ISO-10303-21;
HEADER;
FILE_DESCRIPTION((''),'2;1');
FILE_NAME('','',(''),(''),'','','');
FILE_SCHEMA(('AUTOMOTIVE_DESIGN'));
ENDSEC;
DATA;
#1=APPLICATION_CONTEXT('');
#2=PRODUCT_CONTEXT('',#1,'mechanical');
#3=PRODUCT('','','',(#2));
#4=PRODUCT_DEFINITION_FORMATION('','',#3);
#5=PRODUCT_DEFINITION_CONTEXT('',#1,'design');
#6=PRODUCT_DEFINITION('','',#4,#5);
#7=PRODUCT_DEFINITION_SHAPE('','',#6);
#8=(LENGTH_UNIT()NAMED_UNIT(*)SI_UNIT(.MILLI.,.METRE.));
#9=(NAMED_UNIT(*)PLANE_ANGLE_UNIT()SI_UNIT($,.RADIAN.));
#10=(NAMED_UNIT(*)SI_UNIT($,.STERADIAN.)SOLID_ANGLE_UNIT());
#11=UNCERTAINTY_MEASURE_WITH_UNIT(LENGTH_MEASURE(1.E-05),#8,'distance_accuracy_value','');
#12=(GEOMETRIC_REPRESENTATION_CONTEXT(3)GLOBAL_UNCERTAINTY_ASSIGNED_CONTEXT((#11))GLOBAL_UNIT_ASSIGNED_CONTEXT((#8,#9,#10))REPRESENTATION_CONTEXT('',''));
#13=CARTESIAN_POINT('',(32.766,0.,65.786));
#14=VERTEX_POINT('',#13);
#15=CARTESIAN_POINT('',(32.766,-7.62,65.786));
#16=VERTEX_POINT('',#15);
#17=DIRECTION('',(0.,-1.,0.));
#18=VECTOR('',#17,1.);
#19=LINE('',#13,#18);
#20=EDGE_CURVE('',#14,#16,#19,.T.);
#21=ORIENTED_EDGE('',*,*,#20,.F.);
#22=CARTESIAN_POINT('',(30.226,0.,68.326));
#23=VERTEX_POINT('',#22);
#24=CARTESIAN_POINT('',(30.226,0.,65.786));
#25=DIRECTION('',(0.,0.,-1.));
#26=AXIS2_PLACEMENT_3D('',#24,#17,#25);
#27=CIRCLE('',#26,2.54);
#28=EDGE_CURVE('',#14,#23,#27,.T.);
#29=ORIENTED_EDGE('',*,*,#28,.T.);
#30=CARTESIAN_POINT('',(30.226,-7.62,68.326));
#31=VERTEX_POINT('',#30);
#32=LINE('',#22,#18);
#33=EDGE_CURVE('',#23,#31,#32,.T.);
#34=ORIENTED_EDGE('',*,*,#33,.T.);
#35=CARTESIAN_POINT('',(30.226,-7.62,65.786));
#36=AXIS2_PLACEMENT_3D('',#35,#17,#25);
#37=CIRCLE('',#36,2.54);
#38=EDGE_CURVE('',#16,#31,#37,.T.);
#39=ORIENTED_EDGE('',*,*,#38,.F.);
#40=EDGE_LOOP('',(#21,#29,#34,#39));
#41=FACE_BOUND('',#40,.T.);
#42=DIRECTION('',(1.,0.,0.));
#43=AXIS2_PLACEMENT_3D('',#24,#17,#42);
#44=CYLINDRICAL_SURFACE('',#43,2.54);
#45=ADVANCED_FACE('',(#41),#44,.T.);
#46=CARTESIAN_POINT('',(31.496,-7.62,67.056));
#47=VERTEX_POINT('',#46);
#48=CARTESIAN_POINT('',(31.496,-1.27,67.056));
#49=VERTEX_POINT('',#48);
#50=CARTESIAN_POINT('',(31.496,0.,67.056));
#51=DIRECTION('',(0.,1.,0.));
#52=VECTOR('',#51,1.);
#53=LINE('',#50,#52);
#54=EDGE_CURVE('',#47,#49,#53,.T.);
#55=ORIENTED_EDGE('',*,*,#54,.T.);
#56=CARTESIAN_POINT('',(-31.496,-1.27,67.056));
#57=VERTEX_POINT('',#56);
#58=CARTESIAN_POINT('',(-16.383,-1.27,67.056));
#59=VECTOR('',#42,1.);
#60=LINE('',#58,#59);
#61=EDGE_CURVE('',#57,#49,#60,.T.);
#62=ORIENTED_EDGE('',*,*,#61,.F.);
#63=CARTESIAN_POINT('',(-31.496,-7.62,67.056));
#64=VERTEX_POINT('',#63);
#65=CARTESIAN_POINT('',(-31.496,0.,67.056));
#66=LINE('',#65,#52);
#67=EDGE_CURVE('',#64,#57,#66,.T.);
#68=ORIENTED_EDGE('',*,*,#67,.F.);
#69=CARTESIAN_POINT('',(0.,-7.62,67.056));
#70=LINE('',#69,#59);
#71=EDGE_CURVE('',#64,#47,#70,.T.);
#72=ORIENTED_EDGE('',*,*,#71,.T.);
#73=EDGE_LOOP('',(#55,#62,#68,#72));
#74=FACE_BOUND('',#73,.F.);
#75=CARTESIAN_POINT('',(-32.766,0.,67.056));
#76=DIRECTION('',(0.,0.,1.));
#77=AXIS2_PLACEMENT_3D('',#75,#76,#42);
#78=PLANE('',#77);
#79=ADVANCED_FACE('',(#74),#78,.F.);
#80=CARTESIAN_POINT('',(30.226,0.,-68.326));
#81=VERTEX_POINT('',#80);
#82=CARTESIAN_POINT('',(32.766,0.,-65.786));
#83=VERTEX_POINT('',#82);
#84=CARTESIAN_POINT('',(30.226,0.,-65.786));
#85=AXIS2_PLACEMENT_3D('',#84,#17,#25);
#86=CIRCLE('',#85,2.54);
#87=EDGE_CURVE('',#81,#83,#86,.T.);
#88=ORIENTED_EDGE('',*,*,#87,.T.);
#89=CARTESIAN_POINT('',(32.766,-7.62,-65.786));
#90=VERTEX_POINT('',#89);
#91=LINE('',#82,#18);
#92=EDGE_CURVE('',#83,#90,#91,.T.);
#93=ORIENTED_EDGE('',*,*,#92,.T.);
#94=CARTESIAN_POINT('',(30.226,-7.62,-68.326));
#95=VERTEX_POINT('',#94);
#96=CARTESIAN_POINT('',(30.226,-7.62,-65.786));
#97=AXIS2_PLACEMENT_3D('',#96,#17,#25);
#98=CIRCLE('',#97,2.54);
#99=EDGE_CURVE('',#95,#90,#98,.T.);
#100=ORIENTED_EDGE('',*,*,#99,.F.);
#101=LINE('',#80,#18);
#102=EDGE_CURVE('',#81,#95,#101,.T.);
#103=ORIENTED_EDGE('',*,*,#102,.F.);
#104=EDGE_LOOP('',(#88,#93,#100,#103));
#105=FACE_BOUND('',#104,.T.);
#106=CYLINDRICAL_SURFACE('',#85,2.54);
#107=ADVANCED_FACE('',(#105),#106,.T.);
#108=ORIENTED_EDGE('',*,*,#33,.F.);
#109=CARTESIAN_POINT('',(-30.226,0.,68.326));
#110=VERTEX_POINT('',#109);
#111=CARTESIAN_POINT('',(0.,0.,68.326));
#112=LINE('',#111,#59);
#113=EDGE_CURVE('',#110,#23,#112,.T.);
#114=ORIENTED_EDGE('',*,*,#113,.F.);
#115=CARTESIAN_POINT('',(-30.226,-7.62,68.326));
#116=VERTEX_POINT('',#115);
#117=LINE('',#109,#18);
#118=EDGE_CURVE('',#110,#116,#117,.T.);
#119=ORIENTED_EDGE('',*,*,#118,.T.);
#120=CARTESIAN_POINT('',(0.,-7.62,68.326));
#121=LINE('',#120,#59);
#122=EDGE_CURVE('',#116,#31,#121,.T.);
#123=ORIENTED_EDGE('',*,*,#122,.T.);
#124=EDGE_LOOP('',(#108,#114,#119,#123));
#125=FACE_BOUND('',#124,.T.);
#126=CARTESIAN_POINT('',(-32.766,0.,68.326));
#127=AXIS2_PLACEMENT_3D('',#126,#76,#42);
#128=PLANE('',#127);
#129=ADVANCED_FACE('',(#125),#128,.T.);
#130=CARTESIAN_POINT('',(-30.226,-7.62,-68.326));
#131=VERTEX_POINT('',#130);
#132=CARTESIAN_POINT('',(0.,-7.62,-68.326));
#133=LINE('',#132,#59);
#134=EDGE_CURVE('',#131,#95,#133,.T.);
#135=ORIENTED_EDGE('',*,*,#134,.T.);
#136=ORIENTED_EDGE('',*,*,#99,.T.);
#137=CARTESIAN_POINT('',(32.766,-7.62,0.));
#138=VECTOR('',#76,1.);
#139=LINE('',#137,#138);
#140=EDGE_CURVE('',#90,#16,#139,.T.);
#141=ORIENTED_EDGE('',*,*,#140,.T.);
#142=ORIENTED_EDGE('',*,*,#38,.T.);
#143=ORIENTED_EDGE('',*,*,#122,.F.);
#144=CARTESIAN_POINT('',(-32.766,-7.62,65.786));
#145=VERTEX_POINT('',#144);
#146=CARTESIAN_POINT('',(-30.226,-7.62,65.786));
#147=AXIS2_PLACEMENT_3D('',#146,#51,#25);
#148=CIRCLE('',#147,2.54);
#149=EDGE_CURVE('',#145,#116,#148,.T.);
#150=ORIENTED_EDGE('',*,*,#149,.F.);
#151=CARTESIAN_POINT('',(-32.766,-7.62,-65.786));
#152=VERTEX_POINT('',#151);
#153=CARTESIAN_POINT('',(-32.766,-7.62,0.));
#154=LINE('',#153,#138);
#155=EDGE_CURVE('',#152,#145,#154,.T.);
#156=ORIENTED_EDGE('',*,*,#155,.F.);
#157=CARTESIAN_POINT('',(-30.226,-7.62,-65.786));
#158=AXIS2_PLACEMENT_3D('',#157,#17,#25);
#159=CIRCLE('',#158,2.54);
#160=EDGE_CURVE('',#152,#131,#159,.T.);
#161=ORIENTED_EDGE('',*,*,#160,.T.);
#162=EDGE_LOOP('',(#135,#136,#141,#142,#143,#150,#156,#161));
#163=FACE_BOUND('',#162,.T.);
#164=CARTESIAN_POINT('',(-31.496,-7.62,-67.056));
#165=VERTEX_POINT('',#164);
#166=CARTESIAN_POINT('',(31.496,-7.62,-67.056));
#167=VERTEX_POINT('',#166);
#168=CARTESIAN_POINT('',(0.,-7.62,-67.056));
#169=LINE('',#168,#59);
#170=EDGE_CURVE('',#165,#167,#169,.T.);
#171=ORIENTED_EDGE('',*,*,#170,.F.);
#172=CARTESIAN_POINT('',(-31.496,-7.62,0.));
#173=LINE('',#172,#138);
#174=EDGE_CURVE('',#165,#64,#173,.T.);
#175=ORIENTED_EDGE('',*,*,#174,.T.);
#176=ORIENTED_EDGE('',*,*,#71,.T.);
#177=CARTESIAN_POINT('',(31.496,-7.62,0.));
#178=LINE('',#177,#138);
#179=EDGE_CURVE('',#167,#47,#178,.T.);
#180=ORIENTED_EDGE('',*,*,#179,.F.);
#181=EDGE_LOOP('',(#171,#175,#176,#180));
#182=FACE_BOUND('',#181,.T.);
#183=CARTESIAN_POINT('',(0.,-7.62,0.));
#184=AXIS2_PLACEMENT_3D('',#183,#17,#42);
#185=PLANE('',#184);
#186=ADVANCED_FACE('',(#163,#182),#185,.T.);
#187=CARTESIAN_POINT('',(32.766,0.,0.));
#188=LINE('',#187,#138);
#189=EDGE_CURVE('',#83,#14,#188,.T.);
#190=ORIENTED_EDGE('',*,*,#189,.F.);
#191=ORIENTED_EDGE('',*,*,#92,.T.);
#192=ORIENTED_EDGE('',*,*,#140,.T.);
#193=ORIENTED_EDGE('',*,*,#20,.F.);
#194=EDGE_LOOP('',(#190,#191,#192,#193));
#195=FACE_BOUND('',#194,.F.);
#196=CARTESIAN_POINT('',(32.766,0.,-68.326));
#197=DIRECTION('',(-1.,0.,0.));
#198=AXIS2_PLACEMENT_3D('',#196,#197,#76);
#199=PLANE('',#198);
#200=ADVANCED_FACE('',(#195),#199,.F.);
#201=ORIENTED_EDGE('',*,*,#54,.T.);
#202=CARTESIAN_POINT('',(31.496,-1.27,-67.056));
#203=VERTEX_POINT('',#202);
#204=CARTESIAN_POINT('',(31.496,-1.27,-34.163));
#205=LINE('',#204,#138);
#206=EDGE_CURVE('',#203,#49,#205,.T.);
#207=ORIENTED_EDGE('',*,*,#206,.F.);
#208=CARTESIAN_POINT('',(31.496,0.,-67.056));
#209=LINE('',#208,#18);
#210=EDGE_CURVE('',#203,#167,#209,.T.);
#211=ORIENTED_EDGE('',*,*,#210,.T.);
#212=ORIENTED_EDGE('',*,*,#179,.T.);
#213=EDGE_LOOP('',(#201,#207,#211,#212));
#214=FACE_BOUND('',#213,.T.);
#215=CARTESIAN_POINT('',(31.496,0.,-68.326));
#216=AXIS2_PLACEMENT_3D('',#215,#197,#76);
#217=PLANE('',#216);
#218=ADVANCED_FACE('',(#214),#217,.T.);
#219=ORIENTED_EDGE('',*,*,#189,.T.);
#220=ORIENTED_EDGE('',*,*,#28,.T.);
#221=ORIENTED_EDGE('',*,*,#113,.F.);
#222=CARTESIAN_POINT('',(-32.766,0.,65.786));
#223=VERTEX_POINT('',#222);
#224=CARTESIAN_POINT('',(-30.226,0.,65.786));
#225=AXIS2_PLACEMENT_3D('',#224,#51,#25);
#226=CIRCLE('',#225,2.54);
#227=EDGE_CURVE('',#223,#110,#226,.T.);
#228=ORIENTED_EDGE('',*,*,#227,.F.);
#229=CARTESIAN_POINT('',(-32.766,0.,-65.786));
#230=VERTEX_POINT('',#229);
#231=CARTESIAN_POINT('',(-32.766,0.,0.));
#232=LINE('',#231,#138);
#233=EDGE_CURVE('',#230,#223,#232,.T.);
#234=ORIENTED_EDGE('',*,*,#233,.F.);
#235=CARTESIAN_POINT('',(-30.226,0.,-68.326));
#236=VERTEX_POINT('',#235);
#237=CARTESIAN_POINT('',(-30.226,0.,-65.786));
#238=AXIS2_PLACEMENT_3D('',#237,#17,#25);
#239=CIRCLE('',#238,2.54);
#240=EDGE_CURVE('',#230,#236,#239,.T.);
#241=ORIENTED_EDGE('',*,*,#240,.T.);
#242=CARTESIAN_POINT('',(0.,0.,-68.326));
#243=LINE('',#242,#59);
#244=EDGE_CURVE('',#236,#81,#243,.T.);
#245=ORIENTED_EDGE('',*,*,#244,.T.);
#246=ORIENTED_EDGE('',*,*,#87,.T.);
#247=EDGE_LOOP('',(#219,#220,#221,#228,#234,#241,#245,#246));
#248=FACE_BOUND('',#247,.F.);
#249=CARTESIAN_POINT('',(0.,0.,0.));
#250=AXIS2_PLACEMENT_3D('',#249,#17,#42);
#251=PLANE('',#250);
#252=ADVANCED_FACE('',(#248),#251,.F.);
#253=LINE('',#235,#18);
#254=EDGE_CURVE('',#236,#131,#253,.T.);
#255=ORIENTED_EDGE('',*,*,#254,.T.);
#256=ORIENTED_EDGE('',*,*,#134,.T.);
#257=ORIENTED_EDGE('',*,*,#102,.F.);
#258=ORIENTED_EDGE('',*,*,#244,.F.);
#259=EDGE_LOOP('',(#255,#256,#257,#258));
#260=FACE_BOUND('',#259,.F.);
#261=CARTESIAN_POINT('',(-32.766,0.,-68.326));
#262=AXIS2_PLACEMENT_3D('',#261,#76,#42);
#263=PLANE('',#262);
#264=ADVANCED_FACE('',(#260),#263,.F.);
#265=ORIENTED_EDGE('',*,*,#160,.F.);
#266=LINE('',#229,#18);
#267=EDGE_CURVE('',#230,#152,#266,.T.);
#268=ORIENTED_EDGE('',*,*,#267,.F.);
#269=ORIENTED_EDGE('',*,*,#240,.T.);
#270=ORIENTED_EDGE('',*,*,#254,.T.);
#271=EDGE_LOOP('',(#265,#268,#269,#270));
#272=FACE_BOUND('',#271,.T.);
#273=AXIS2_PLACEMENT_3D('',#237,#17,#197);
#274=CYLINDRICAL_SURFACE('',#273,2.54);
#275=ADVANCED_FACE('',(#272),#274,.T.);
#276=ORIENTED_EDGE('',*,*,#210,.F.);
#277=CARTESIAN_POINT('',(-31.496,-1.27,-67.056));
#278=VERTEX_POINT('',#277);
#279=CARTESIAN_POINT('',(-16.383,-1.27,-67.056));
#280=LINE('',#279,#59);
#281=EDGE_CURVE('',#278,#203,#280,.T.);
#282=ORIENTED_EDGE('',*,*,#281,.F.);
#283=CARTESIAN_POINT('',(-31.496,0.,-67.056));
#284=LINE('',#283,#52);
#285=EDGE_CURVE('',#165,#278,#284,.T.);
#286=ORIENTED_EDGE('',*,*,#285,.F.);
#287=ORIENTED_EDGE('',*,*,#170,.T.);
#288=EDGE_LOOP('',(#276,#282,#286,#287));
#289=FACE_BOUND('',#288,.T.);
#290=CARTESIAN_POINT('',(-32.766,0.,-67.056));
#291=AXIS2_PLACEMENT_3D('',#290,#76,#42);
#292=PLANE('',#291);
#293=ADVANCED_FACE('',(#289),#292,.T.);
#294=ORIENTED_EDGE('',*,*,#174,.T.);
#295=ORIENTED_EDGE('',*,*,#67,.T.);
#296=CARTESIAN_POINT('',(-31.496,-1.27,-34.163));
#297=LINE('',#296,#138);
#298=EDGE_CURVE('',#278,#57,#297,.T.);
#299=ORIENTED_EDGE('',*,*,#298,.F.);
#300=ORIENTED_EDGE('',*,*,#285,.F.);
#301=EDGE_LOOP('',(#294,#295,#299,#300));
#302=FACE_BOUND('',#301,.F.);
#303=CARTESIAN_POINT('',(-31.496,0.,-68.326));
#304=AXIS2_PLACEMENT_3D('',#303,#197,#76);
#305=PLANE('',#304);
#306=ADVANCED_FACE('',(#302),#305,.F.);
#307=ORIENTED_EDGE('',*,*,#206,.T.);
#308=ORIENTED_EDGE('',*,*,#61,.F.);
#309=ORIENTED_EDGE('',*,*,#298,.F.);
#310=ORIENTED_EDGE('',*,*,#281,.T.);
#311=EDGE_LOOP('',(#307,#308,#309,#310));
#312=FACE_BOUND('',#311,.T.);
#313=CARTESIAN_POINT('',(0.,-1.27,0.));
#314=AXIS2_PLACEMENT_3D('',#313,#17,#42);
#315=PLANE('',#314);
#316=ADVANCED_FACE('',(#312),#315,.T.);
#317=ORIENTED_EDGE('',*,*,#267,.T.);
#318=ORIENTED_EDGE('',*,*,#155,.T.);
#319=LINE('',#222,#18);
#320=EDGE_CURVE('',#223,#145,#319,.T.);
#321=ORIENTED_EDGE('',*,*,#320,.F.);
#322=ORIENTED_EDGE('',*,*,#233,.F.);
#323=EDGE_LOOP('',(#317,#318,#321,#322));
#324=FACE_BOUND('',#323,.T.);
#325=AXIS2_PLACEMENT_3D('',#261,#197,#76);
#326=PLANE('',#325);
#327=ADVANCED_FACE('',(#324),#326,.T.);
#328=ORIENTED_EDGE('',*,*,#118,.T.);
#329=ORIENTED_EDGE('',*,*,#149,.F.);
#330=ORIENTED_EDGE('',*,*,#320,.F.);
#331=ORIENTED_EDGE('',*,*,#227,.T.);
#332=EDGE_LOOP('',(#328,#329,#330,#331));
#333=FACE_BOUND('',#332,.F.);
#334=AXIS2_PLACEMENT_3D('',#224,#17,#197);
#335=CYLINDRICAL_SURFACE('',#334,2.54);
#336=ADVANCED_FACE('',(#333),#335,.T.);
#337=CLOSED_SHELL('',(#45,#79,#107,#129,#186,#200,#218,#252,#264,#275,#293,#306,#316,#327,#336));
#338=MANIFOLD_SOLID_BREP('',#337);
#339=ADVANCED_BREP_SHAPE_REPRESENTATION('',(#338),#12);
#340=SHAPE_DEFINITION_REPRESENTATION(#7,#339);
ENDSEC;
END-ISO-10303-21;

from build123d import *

# Parameters (mm, degrees)
F0_W     = 65.532
F0_H     = 136.652
F1_DEPTH = 7.62
F2_T     = -1.27
F3_R     = 2.54


with BuildPart() as f1:
    # F0 (on Front) → F1 (new body)
    with BuildSketch(Plane.XZ):
        Rectangle(F0_W, F0_H)
    extrude(amount=F1_DEPTH)

    # F2
    f2_openings = [f1.faces().sort_by_distance(p)[0] for p in [
        (0, -7.62, 0),
    ]]
    offset(amount=F2_T, openings=f2_openings)

    # F3
    f3_edges = [f1.edges().sort_by_distance(p)[0] for p in [
        (-32.766, -3.81, -68.326),
        (32.766, -3.81, -68.326),
        (32.766, -3.81, 68.326),
        (-32.766, -3.81, 68.326),
    ]]
    fillet(f3_edges, radius=F3_R)


solid = f1.part
